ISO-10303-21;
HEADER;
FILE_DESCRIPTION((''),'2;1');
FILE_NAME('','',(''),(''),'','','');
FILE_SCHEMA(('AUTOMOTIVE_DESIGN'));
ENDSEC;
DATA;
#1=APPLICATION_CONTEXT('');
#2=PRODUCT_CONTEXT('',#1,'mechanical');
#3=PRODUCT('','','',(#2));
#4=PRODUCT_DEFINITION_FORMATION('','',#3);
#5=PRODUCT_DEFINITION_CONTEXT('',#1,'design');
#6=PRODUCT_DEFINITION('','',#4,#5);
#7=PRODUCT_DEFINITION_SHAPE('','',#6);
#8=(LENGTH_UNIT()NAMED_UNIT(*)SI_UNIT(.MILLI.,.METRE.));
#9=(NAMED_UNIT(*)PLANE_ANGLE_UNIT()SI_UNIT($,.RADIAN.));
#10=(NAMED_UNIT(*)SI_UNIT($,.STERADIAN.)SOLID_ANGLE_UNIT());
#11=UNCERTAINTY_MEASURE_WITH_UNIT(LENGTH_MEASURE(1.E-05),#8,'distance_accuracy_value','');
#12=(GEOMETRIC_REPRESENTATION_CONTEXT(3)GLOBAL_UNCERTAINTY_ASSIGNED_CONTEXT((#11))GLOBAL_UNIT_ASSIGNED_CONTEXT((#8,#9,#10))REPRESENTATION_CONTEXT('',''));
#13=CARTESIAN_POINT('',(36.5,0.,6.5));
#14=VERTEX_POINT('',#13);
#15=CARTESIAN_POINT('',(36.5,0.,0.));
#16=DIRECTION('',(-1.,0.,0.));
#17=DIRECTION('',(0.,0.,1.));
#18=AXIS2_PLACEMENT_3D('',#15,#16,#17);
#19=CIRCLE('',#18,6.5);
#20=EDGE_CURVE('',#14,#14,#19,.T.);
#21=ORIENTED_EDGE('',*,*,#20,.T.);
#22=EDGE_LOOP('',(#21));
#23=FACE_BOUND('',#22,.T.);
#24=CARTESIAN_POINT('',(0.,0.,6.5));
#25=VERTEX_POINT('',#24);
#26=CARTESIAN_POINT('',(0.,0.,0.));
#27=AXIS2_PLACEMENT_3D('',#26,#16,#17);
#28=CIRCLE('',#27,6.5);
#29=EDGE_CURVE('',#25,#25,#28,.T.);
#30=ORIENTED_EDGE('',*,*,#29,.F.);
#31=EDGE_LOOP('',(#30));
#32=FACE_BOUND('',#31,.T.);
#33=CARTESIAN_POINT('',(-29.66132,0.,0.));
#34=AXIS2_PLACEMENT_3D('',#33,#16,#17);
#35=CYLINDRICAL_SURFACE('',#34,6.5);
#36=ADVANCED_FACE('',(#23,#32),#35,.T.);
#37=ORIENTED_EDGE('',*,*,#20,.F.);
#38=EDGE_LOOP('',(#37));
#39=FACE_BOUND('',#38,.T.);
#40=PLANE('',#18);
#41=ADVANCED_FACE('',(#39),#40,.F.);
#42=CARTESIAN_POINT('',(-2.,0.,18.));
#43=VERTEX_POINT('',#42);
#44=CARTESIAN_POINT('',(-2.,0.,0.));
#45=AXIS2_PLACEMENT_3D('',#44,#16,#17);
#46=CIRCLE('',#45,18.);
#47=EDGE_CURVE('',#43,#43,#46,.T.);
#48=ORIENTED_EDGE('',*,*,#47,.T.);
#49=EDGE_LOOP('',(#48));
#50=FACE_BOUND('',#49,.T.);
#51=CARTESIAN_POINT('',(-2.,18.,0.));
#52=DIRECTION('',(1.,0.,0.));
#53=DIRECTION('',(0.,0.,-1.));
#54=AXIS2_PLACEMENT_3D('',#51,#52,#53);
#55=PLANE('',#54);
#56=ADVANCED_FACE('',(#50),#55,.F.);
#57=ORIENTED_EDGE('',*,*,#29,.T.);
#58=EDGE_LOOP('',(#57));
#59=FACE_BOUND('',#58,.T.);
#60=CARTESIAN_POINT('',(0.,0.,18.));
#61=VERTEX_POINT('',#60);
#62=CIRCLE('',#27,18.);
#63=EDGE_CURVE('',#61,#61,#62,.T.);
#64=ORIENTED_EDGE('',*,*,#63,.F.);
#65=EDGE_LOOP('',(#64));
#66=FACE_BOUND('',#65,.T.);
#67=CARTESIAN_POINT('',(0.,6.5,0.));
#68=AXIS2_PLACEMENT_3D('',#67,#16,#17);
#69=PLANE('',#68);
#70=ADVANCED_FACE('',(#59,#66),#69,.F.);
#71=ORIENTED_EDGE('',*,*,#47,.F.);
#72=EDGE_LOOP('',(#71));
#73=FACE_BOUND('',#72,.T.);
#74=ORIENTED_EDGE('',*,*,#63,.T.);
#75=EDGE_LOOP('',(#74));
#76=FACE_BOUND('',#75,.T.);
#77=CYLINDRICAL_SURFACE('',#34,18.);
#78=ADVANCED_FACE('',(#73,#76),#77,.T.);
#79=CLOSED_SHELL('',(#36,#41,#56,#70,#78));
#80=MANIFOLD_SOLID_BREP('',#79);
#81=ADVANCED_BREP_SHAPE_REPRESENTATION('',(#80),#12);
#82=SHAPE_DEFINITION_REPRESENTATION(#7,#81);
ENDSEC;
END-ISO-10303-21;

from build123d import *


with BuildPart() as part:
    # Sketch1 → Revolve1 (revolve)
    with BuildSketch(Plane.XY, mode=Mode.PRIVATE) as revolve1_sk:
        Polygon((0, 6.5), (36.5, 6.5), (36.5, 0), (-2, 0), (-2, 18), (0, 18), align=None)
    revolve(revolve1_sk.sketch.rotate(Axis((-29.661319917, 0, 0), (1, 0, 0)), 90), axis=Axis((-29.661319917, 0, 0), (1, 0, 0)))


solid = part.part
